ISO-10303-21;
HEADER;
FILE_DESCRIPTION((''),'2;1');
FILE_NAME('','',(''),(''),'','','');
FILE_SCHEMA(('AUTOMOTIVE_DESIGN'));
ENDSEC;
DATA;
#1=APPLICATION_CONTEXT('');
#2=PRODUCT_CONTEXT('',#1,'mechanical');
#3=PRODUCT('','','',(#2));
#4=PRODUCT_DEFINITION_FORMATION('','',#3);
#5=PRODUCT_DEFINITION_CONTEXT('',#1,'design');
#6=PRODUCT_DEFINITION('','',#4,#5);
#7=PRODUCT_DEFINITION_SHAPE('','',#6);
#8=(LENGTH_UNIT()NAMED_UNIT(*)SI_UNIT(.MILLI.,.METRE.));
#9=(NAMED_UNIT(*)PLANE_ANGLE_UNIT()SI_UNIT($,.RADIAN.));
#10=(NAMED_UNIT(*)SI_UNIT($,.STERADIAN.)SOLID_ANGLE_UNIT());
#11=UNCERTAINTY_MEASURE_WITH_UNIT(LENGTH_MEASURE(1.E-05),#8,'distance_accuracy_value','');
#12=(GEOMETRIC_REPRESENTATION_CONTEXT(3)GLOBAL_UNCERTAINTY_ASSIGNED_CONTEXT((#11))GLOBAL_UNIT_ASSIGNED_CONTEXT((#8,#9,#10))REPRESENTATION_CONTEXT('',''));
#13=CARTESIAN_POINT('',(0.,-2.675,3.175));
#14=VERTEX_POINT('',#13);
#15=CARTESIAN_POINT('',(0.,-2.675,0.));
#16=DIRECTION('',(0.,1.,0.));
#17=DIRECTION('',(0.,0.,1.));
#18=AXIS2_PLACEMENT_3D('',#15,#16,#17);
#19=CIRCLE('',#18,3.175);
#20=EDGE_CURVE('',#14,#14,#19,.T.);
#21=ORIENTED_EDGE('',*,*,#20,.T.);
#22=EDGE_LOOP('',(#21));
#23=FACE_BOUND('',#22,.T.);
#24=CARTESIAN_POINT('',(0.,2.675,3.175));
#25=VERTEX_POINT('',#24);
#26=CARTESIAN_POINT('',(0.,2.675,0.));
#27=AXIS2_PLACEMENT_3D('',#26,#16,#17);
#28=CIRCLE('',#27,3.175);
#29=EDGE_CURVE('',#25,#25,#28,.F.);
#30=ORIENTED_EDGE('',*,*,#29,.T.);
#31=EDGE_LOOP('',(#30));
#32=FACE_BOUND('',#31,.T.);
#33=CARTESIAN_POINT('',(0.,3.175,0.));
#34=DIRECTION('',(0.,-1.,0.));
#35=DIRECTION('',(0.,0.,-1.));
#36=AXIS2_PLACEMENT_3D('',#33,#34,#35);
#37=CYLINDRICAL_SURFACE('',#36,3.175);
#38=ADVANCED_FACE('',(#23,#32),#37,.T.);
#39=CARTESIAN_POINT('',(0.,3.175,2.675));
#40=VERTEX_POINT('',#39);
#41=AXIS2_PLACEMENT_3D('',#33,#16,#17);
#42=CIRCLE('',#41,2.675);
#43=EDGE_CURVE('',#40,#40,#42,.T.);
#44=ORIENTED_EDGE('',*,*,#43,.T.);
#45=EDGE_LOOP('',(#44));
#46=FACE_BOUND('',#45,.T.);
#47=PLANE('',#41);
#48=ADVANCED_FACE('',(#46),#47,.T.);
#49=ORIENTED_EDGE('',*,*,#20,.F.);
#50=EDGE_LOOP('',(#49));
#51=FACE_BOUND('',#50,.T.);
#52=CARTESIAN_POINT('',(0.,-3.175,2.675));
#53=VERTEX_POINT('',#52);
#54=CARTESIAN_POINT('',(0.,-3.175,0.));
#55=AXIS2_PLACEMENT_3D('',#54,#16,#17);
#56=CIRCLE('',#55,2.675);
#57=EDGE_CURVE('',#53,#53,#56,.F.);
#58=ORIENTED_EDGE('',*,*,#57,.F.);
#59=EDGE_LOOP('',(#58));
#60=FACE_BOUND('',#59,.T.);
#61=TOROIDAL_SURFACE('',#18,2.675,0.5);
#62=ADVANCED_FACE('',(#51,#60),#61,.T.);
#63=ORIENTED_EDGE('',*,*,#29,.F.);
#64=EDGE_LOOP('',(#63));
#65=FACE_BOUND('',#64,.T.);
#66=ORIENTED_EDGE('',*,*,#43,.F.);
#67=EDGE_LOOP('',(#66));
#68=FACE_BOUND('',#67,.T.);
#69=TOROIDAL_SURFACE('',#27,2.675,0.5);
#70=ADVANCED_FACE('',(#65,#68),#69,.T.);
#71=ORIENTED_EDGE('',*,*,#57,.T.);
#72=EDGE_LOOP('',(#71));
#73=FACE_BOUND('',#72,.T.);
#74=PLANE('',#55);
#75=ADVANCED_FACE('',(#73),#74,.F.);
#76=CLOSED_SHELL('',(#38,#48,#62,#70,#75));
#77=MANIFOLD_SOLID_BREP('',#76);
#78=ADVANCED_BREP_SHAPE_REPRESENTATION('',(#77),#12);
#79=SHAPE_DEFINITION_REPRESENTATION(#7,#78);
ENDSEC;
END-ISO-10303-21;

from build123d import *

# Parameters (mm, degrees)
SKETCH1_R           = 3.175
BOSS_EXTRUDE1_DEPTH = 3.175
FILLET1_R           = 0.5


with BuildPart() as part:
    # Sketch1 → Boss-Extrude1 (new, symmetric)
    with BuildSketch(Plane(origin=(0, 0, 0), x_dir=(1, 0, 0), z_dir=(0, 1, 0))):
        with Locations(Location((0, 0, 0), (0, 0, 270))):
            Circle(SKETCH1_R)
    extrude(amount=BOSS_EXTRUDE1_DEPTH, both=True)

    # Fillet1
    fillet1_edges = [part.edges().sort_by_distance(p)[0] for p in [
        (0, -3.175, -3.175),
        (0, 3.175, -3.175),
    ]]
    fillet(fillet1_edges, radius=FILLET1_R)


solid = part.part
